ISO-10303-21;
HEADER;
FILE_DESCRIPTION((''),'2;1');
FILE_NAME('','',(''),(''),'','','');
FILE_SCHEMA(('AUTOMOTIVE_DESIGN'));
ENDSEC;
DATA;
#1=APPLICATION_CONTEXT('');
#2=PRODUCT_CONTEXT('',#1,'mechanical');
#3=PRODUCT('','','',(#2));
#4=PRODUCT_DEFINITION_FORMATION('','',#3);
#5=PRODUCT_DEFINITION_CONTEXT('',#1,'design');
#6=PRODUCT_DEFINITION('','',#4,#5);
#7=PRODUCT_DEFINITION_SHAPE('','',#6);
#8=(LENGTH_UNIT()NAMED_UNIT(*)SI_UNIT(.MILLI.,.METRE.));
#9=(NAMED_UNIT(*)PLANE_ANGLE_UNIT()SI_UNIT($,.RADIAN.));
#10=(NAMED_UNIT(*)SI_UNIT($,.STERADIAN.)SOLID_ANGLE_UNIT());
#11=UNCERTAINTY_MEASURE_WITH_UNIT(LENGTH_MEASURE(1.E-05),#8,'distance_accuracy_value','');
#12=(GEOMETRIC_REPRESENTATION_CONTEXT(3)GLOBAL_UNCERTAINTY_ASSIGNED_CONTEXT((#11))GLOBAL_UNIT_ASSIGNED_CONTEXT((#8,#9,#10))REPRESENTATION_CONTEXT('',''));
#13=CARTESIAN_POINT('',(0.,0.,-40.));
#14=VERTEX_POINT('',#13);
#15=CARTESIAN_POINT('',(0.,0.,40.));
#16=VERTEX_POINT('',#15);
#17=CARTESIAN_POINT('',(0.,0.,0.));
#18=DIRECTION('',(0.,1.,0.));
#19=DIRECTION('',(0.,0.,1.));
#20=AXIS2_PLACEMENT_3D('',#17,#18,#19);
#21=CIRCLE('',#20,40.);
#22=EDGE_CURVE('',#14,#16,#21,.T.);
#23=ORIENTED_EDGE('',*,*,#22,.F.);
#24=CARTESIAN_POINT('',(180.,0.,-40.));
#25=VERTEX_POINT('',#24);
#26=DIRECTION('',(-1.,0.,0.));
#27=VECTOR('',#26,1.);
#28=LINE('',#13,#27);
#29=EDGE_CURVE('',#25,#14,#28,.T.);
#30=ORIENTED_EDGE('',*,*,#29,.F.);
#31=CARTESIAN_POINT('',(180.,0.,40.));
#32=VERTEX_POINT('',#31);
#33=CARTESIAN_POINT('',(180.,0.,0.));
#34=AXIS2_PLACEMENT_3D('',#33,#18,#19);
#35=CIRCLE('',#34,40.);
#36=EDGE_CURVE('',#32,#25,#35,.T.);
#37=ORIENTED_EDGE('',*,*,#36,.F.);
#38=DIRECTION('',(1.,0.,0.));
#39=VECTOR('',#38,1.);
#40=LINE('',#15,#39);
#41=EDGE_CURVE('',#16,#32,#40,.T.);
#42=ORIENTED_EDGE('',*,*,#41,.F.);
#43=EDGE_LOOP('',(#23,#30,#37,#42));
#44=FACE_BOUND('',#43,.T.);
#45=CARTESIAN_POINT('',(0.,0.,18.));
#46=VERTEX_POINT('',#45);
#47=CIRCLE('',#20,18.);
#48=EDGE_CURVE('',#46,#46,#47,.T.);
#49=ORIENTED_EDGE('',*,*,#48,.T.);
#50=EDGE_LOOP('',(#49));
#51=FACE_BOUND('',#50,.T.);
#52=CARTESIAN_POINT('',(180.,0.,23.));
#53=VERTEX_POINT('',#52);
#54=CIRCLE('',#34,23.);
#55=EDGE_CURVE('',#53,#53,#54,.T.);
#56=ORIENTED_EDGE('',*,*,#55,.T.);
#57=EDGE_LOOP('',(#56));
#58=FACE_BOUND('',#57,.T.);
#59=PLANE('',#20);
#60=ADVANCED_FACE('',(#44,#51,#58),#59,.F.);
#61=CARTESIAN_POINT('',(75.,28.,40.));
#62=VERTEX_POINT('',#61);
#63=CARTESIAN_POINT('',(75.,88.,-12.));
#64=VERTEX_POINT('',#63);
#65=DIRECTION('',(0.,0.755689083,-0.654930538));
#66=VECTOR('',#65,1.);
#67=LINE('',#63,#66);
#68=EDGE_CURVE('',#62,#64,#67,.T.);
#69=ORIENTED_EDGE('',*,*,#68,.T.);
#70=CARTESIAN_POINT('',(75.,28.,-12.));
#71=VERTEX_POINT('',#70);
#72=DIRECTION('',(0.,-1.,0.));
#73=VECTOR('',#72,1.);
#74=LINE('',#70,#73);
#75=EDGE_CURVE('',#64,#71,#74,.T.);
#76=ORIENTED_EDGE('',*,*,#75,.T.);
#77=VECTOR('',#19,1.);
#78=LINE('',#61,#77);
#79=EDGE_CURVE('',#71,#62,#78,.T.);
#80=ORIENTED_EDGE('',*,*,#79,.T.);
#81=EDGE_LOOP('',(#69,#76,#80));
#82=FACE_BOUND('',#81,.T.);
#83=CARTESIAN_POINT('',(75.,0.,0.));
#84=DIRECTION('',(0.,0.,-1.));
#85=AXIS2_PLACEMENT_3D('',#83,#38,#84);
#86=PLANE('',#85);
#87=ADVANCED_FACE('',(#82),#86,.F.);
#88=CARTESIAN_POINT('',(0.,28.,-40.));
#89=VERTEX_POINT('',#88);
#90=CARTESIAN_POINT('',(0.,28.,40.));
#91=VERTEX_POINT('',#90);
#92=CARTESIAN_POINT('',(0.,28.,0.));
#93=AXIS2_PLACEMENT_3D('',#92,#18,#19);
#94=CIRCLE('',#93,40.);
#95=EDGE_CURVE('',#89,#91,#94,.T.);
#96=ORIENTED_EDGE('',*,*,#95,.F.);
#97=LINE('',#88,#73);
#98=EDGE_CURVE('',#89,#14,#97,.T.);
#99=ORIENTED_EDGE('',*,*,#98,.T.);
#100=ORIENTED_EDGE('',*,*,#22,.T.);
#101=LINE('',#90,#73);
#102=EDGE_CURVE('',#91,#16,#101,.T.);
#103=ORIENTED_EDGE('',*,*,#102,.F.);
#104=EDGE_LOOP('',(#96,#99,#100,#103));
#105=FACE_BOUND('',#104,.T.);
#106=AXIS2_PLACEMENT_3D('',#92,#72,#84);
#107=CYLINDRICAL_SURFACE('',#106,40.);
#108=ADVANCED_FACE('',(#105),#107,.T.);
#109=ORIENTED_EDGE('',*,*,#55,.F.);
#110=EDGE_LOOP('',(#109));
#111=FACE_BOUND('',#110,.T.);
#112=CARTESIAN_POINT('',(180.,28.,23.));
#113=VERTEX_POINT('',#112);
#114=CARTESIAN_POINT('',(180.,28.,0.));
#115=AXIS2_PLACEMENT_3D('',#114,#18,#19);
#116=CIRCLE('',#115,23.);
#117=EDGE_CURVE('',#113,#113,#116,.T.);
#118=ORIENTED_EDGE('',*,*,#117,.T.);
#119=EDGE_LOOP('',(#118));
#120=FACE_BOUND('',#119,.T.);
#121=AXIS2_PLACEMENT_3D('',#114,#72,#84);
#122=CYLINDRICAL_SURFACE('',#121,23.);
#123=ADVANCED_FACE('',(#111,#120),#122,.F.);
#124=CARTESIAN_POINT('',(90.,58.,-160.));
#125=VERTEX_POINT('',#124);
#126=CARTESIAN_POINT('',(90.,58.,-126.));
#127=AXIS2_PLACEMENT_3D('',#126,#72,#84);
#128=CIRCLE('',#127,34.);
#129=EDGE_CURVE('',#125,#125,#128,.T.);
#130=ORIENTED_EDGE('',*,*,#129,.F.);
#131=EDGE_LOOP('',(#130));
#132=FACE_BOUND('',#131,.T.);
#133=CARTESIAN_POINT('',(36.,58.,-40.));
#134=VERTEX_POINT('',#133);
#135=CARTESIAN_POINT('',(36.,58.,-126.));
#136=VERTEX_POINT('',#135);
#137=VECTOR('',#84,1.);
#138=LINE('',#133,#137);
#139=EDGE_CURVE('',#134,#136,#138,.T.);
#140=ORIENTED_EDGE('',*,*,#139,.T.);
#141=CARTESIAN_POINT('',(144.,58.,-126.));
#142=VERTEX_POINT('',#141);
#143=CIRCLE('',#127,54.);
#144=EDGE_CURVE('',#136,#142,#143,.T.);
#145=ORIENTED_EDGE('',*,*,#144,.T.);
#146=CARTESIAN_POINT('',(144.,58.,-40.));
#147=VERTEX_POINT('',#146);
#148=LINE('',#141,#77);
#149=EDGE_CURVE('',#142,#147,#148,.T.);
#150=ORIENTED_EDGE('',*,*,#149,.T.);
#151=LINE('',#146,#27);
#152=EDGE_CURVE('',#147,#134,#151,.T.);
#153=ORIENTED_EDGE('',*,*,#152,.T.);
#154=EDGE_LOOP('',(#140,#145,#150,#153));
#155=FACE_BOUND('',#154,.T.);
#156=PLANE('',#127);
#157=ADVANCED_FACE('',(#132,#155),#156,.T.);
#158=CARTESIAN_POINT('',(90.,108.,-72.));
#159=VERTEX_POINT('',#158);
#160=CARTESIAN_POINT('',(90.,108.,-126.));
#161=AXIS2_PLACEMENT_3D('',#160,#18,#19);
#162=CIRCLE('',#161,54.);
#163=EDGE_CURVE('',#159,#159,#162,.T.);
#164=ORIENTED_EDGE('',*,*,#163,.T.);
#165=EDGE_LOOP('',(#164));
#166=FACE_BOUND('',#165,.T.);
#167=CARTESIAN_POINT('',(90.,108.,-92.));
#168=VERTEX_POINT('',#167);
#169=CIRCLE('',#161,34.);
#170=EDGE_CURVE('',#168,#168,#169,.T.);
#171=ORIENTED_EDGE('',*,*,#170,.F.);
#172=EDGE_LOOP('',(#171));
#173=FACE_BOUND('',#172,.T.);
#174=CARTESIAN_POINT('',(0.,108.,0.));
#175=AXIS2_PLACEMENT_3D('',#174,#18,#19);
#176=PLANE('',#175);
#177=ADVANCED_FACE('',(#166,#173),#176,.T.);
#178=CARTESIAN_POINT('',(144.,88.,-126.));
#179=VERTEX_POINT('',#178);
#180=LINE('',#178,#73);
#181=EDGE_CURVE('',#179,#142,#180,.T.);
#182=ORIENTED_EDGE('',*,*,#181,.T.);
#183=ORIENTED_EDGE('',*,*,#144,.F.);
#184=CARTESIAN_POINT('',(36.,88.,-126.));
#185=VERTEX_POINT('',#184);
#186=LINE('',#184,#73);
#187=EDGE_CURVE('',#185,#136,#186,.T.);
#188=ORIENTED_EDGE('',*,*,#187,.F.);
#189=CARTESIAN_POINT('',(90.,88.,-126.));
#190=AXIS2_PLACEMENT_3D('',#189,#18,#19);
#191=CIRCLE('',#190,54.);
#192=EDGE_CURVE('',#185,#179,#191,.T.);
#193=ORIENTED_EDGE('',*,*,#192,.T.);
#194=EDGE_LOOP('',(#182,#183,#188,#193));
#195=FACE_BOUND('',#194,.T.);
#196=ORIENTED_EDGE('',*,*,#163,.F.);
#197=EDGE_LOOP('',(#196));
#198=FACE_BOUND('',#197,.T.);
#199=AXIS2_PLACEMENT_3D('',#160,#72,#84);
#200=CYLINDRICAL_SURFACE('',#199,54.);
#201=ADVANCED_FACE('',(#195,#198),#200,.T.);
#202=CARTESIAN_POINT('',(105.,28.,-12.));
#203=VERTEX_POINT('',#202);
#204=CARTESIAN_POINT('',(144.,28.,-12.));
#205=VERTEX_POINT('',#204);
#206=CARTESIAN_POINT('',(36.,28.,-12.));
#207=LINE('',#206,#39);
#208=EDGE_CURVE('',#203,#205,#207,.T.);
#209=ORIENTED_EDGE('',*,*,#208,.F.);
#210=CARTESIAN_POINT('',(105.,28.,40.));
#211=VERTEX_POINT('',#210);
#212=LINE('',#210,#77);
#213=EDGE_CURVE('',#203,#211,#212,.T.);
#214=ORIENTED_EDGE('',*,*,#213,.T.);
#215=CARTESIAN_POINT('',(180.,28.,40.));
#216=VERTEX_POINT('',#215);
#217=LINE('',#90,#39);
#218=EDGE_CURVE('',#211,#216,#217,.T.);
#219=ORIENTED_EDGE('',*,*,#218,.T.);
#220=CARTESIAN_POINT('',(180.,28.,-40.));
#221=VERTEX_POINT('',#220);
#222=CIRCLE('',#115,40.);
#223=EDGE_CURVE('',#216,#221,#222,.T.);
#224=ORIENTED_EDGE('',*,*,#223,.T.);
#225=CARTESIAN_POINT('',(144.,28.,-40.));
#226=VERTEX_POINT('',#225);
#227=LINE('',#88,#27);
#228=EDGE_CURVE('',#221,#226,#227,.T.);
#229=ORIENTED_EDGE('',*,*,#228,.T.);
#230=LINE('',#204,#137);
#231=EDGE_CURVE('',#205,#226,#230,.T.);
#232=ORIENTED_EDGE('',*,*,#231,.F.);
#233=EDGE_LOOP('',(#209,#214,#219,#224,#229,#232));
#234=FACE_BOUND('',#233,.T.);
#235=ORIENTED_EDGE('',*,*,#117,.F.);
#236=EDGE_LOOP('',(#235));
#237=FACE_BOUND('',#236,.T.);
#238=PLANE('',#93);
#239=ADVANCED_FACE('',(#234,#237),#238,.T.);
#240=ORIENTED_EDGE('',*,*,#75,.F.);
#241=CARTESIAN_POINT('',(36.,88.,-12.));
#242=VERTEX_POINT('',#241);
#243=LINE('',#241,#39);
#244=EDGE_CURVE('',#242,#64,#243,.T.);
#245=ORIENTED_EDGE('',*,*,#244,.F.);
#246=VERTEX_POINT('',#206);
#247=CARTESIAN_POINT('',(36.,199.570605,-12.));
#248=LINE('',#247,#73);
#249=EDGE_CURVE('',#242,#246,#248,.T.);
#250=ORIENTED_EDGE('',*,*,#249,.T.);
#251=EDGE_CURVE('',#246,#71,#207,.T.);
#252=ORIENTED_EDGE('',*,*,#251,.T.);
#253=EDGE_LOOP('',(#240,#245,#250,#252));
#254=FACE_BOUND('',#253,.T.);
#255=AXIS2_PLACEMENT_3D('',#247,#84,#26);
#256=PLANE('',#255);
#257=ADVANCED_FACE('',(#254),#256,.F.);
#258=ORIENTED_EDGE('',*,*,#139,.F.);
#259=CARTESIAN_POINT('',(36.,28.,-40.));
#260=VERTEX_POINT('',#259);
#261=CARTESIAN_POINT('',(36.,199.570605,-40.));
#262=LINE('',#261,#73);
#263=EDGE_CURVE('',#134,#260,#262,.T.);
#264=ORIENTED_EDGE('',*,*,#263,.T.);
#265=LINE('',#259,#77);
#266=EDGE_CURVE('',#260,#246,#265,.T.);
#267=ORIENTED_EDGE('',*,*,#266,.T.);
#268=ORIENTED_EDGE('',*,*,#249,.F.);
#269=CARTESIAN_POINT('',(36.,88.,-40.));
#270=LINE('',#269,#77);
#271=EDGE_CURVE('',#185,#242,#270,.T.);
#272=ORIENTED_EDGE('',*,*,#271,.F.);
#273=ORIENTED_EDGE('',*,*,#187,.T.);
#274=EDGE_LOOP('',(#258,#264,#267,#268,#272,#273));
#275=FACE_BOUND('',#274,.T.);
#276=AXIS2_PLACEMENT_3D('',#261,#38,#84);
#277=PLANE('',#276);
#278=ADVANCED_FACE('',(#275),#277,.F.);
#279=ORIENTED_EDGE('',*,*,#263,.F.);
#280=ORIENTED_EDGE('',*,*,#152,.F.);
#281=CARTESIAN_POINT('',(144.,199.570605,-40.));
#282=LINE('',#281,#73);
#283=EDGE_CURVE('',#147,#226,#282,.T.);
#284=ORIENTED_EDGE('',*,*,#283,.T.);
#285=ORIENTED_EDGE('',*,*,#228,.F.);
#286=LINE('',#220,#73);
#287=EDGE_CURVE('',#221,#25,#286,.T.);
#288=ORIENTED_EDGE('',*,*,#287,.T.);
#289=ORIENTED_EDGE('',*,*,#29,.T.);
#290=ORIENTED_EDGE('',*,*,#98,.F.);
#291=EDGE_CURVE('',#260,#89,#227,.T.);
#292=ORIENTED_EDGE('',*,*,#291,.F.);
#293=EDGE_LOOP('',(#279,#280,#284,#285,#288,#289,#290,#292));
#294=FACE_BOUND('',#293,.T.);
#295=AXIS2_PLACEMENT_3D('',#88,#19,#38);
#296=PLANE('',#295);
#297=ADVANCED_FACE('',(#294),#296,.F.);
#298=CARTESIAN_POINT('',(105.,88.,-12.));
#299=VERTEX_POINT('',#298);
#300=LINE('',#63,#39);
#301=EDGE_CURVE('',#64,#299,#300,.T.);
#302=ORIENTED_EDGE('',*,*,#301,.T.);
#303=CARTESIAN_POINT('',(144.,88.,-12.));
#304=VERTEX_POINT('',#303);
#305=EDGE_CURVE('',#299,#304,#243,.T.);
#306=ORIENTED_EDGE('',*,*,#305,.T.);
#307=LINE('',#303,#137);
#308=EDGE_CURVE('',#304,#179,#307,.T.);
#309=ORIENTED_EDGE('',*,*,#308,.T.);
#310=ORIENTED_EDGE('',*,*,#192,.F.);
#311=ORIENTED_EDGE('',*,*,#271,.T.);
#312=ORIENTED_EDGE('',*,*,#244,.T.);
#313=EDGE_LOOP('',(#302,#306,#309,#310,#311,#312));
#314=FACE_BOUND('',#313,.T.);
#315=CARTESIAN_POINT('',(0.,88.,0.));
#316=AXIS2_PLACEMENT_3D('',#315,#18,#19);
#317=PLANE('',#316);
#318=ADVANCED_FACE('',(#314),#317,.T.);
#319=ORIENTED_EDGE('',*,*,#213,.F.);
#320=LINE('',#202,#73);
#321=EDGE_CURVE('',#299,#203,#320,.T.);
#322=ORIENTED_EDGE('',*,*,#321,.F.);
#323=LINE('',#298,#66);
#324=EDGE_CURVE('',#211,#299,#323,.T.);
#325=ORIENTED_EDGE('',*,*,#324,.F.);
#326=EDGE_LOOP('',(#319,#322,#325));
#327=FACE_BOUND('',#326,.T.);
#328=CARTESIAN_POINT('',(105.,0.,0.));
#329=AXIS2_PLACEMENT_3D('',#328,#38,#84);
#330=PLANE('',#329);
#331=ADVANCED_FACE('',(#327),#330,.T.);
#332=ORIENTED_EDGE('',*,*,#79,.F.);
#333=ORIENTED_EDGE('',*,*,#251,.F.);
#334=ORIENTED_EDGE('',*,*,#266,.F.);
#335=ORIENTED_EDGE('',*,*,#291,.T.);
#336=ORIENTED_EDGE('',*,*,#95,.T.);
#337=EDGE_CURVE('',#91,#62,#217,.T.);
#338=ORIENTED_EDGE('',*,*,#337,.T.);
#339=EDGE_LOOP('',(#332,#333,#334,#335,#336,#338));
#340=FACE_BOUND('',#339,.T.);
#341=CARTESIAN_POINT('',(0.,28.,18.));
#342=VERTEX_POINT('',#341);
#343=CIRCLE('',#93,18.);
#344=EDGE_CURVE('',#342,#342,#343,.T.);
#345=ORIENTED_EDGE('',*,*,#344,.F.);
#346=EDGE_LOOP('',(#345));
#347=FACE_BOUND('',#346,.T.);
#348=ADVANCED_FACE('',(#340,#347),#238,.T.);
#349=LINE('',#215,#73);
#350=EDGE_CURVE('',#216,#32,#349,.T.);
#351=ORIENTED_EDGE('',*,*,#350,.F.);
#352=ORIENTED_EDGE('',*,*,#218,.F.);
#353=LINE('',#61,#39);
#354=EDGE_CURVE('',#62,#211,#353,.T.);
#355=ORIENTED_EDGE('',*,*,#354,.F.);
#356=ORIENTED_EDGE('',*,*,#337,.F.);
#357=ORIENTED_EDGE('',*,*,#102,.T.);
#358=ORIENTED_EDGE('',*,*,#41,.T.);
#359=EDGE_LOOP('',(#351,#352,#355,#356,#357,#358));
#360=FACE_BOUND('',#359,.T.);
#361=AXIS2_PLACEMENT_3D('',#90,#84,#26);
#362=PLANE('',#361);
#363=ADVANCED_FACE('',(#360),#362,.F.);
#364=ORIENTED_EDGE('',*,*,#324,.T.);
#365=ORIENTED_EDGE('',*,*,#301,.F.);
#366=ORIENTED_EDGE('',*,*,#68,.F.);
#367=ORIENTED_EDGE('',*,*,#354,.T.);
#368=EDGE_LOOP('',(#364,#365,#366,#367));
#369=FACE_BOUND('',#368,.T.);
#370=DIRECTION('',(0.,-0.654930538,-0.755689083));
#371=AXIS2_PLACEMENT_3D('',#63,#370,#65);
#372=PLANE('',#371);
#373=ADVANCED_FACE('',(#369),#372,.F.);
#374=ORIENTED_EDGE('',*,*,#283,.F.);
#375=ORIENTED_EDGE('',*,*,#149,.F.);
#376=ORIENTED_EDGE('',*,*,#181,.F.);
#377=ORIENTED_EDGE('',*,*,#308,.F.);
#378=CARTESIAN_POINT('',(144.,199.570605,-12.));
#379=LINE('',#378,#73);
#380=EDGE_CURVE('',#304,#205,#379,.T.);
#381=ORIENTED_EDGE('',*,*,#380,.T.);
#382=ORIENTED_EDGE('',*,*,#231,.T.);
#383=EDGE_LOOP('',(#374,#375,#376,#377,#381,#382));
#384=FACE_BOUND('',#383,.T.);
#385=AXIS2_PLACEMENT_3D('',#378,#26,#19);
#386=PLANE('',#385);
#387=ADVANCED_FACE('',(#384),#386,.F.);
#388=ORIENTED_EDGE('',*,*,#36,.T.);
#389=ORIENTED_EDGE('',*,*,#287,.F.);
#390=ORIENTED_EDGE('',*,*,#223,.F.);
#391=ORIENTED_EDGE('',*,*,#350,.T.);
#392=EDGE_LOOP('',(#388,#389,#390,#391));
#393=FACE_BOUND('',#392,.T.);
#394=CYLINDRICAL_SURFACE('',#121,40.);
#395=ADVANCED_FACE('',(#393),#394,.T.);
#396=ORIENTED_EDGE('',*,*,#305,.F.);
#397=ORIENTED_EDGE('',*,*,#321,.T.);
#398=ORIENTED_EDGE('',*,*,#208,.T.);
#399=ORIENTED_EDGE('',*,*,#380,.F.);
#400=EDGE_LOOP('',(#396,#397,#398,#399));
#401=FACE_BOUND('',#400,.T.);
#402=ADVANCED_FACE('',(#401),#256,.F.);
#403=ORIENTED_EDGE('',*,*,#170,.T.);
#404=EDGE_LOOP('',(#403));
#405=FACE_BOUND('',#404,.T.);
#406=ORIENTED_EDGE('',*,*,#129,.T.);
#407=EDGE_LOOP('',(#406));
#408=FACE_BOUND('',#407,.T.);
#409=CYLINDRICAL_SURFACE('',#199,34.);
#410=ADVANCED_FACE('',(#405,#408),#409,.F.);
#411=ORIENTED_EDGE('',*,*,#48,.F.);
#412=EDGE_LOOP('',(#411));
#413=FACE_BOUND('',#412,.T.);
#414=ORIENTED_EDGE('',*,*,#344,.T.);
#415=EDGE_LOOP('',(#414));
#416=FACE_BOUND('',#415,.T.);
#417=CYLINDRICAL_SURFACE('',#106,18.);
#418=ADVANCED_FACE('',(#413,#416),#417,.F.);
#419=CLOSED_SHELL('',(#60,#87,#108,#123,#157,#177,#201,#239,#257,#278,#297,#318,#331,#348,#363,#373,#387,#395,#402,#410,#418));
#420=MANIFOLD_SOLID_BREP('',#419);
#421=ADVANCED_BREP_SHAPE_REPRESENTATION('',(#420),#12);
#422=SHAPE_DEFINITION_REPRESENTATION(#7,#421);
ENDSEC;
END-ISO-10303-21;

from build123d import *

# Parameters (mm, degrees)
SKETCH_1_R          = 23
SKETCH_1_R_2        = 18
EXTRUDE_1_DEPTH     = 28
EXTRUDE_3_DEPTH     = 60
SKETCH_2_5_R        = 54
SKETCH_2_5_R_2      = 34
EXTRUDE_4_DEPTH     = 80
CUT_EXTRUDE_1_DEPTH = 30
SKETCH_6_W          = 108
SKETCH_6_H          = 28
EXTRUDE_5_DEPTH     = 60
EXTRUDE_6_DEPTH     = 15


with BuildPart() as part:
    # 草图1 → 凸台-拉伸1 (new body)
    with BuildSketch(Plane(origin=(0, 0, 0), x_dir=(1, 0, 0), z_dir=(0, 1, 0))):
        with BuildLine():
            Line((0, 40), (180, 40))
            ThreePointArc((180, 40), (220, 0), (180, -40))
            Line((180, -40), (0, -40))
            ThreePointArc((0, -40), (-40, 0), (0, 40))
        make_face()
        with Locations(Location((180, 0, 0), (0, 0, 270))):
            Circle(SKETCH_1_R, mode=Mode.SUBTRACT)
        with Locations(Location((0, 0, 0), (0, 0, 270))):
            Circle(SKETCH_1_R_2, mode=Mode.SUBTRACT)
    extrude(amount=EXTRUDE_1_DEPTH)



with BuildPart() as body_2:
    # 草图2 → 凸台-拉伸3 (new body)
    with BuildSketch(Plane(origin=(0, 28, 0), x_dir=(1, 0, 0), z_dir=(0, 1, 0))):
        with BuildLine():
            Line((90, 40), (144, 40))
            Line((144, 40), (144, 126))
            ThreePointArc((144, 126), (90, 72), (36, 126))
            Line((36, 126), (36, 40))
            Line((36, 40), (90, 40))
        make_face()
    extrude(amount=EXTRUDE_3_DEPTH)

    # 草图2<5> → 凸台-拉伸4 (add)
    with BuildSketch(Plane(origin=(0, 28, 0), x_dir=(1, 0, 0), z_dir=(0, 1, 0))):
        with Locations(Location((90, 126, 0), (0, 0, 180))):
            Circle(SKETCH_2_5_R)
        with Locations(Location((90, 126, 0), (0, 0, 270))):
            Circle(SKETCH_2_5_R_2, mode=Mode.SUBTRACT)
    extrude(amount=EXTRUDE_4_DEPTH)

    # 草图4 → 切除-拉伸1 (cut)
    with BuildSketch(Plane.XZ.offset(-28)):
        with BuildLine():
            Line((36, -40), (36, -126))
            ThreePointArc((36, -126), (90, -180), (144, -126))
            Line((144, -126), (144, -40))
            Line((144, -40), (36, -40))
        make_face()
    extrude(amount=-CUT_EXTRUDE_1_DEPTH, mode=Mode.SUBTRACT)


with BuildPart() as part_1:
    add(part.part)

    add(body_2.part)  # 凸台-拉伸5 merges body 2
    # 草图6 → 凸台-拉伸5 (add)
    with BuildSketch(Plane(origin=(0, 28, 0), x_dir=(1, 0, 0), z_dir=(0, 1, 0))):
        with Locations((90, 26)):
            Rectangle(SKETCH_6_W, SKETCH_6_H)
    extrude(amount=EXTRUDE_5_DEPTH)

    # 草图7 → 凸台-拉伸6 (add, symmetric)
    with BuildSketch(Plane.ZY.offset(-90)):
        Polygon((40, 28), (-12, 28), (-12, 88), align=None)
    extrude(amount=EXTRUDE_6_DEPTH, both=True)


solid = part_1.part
